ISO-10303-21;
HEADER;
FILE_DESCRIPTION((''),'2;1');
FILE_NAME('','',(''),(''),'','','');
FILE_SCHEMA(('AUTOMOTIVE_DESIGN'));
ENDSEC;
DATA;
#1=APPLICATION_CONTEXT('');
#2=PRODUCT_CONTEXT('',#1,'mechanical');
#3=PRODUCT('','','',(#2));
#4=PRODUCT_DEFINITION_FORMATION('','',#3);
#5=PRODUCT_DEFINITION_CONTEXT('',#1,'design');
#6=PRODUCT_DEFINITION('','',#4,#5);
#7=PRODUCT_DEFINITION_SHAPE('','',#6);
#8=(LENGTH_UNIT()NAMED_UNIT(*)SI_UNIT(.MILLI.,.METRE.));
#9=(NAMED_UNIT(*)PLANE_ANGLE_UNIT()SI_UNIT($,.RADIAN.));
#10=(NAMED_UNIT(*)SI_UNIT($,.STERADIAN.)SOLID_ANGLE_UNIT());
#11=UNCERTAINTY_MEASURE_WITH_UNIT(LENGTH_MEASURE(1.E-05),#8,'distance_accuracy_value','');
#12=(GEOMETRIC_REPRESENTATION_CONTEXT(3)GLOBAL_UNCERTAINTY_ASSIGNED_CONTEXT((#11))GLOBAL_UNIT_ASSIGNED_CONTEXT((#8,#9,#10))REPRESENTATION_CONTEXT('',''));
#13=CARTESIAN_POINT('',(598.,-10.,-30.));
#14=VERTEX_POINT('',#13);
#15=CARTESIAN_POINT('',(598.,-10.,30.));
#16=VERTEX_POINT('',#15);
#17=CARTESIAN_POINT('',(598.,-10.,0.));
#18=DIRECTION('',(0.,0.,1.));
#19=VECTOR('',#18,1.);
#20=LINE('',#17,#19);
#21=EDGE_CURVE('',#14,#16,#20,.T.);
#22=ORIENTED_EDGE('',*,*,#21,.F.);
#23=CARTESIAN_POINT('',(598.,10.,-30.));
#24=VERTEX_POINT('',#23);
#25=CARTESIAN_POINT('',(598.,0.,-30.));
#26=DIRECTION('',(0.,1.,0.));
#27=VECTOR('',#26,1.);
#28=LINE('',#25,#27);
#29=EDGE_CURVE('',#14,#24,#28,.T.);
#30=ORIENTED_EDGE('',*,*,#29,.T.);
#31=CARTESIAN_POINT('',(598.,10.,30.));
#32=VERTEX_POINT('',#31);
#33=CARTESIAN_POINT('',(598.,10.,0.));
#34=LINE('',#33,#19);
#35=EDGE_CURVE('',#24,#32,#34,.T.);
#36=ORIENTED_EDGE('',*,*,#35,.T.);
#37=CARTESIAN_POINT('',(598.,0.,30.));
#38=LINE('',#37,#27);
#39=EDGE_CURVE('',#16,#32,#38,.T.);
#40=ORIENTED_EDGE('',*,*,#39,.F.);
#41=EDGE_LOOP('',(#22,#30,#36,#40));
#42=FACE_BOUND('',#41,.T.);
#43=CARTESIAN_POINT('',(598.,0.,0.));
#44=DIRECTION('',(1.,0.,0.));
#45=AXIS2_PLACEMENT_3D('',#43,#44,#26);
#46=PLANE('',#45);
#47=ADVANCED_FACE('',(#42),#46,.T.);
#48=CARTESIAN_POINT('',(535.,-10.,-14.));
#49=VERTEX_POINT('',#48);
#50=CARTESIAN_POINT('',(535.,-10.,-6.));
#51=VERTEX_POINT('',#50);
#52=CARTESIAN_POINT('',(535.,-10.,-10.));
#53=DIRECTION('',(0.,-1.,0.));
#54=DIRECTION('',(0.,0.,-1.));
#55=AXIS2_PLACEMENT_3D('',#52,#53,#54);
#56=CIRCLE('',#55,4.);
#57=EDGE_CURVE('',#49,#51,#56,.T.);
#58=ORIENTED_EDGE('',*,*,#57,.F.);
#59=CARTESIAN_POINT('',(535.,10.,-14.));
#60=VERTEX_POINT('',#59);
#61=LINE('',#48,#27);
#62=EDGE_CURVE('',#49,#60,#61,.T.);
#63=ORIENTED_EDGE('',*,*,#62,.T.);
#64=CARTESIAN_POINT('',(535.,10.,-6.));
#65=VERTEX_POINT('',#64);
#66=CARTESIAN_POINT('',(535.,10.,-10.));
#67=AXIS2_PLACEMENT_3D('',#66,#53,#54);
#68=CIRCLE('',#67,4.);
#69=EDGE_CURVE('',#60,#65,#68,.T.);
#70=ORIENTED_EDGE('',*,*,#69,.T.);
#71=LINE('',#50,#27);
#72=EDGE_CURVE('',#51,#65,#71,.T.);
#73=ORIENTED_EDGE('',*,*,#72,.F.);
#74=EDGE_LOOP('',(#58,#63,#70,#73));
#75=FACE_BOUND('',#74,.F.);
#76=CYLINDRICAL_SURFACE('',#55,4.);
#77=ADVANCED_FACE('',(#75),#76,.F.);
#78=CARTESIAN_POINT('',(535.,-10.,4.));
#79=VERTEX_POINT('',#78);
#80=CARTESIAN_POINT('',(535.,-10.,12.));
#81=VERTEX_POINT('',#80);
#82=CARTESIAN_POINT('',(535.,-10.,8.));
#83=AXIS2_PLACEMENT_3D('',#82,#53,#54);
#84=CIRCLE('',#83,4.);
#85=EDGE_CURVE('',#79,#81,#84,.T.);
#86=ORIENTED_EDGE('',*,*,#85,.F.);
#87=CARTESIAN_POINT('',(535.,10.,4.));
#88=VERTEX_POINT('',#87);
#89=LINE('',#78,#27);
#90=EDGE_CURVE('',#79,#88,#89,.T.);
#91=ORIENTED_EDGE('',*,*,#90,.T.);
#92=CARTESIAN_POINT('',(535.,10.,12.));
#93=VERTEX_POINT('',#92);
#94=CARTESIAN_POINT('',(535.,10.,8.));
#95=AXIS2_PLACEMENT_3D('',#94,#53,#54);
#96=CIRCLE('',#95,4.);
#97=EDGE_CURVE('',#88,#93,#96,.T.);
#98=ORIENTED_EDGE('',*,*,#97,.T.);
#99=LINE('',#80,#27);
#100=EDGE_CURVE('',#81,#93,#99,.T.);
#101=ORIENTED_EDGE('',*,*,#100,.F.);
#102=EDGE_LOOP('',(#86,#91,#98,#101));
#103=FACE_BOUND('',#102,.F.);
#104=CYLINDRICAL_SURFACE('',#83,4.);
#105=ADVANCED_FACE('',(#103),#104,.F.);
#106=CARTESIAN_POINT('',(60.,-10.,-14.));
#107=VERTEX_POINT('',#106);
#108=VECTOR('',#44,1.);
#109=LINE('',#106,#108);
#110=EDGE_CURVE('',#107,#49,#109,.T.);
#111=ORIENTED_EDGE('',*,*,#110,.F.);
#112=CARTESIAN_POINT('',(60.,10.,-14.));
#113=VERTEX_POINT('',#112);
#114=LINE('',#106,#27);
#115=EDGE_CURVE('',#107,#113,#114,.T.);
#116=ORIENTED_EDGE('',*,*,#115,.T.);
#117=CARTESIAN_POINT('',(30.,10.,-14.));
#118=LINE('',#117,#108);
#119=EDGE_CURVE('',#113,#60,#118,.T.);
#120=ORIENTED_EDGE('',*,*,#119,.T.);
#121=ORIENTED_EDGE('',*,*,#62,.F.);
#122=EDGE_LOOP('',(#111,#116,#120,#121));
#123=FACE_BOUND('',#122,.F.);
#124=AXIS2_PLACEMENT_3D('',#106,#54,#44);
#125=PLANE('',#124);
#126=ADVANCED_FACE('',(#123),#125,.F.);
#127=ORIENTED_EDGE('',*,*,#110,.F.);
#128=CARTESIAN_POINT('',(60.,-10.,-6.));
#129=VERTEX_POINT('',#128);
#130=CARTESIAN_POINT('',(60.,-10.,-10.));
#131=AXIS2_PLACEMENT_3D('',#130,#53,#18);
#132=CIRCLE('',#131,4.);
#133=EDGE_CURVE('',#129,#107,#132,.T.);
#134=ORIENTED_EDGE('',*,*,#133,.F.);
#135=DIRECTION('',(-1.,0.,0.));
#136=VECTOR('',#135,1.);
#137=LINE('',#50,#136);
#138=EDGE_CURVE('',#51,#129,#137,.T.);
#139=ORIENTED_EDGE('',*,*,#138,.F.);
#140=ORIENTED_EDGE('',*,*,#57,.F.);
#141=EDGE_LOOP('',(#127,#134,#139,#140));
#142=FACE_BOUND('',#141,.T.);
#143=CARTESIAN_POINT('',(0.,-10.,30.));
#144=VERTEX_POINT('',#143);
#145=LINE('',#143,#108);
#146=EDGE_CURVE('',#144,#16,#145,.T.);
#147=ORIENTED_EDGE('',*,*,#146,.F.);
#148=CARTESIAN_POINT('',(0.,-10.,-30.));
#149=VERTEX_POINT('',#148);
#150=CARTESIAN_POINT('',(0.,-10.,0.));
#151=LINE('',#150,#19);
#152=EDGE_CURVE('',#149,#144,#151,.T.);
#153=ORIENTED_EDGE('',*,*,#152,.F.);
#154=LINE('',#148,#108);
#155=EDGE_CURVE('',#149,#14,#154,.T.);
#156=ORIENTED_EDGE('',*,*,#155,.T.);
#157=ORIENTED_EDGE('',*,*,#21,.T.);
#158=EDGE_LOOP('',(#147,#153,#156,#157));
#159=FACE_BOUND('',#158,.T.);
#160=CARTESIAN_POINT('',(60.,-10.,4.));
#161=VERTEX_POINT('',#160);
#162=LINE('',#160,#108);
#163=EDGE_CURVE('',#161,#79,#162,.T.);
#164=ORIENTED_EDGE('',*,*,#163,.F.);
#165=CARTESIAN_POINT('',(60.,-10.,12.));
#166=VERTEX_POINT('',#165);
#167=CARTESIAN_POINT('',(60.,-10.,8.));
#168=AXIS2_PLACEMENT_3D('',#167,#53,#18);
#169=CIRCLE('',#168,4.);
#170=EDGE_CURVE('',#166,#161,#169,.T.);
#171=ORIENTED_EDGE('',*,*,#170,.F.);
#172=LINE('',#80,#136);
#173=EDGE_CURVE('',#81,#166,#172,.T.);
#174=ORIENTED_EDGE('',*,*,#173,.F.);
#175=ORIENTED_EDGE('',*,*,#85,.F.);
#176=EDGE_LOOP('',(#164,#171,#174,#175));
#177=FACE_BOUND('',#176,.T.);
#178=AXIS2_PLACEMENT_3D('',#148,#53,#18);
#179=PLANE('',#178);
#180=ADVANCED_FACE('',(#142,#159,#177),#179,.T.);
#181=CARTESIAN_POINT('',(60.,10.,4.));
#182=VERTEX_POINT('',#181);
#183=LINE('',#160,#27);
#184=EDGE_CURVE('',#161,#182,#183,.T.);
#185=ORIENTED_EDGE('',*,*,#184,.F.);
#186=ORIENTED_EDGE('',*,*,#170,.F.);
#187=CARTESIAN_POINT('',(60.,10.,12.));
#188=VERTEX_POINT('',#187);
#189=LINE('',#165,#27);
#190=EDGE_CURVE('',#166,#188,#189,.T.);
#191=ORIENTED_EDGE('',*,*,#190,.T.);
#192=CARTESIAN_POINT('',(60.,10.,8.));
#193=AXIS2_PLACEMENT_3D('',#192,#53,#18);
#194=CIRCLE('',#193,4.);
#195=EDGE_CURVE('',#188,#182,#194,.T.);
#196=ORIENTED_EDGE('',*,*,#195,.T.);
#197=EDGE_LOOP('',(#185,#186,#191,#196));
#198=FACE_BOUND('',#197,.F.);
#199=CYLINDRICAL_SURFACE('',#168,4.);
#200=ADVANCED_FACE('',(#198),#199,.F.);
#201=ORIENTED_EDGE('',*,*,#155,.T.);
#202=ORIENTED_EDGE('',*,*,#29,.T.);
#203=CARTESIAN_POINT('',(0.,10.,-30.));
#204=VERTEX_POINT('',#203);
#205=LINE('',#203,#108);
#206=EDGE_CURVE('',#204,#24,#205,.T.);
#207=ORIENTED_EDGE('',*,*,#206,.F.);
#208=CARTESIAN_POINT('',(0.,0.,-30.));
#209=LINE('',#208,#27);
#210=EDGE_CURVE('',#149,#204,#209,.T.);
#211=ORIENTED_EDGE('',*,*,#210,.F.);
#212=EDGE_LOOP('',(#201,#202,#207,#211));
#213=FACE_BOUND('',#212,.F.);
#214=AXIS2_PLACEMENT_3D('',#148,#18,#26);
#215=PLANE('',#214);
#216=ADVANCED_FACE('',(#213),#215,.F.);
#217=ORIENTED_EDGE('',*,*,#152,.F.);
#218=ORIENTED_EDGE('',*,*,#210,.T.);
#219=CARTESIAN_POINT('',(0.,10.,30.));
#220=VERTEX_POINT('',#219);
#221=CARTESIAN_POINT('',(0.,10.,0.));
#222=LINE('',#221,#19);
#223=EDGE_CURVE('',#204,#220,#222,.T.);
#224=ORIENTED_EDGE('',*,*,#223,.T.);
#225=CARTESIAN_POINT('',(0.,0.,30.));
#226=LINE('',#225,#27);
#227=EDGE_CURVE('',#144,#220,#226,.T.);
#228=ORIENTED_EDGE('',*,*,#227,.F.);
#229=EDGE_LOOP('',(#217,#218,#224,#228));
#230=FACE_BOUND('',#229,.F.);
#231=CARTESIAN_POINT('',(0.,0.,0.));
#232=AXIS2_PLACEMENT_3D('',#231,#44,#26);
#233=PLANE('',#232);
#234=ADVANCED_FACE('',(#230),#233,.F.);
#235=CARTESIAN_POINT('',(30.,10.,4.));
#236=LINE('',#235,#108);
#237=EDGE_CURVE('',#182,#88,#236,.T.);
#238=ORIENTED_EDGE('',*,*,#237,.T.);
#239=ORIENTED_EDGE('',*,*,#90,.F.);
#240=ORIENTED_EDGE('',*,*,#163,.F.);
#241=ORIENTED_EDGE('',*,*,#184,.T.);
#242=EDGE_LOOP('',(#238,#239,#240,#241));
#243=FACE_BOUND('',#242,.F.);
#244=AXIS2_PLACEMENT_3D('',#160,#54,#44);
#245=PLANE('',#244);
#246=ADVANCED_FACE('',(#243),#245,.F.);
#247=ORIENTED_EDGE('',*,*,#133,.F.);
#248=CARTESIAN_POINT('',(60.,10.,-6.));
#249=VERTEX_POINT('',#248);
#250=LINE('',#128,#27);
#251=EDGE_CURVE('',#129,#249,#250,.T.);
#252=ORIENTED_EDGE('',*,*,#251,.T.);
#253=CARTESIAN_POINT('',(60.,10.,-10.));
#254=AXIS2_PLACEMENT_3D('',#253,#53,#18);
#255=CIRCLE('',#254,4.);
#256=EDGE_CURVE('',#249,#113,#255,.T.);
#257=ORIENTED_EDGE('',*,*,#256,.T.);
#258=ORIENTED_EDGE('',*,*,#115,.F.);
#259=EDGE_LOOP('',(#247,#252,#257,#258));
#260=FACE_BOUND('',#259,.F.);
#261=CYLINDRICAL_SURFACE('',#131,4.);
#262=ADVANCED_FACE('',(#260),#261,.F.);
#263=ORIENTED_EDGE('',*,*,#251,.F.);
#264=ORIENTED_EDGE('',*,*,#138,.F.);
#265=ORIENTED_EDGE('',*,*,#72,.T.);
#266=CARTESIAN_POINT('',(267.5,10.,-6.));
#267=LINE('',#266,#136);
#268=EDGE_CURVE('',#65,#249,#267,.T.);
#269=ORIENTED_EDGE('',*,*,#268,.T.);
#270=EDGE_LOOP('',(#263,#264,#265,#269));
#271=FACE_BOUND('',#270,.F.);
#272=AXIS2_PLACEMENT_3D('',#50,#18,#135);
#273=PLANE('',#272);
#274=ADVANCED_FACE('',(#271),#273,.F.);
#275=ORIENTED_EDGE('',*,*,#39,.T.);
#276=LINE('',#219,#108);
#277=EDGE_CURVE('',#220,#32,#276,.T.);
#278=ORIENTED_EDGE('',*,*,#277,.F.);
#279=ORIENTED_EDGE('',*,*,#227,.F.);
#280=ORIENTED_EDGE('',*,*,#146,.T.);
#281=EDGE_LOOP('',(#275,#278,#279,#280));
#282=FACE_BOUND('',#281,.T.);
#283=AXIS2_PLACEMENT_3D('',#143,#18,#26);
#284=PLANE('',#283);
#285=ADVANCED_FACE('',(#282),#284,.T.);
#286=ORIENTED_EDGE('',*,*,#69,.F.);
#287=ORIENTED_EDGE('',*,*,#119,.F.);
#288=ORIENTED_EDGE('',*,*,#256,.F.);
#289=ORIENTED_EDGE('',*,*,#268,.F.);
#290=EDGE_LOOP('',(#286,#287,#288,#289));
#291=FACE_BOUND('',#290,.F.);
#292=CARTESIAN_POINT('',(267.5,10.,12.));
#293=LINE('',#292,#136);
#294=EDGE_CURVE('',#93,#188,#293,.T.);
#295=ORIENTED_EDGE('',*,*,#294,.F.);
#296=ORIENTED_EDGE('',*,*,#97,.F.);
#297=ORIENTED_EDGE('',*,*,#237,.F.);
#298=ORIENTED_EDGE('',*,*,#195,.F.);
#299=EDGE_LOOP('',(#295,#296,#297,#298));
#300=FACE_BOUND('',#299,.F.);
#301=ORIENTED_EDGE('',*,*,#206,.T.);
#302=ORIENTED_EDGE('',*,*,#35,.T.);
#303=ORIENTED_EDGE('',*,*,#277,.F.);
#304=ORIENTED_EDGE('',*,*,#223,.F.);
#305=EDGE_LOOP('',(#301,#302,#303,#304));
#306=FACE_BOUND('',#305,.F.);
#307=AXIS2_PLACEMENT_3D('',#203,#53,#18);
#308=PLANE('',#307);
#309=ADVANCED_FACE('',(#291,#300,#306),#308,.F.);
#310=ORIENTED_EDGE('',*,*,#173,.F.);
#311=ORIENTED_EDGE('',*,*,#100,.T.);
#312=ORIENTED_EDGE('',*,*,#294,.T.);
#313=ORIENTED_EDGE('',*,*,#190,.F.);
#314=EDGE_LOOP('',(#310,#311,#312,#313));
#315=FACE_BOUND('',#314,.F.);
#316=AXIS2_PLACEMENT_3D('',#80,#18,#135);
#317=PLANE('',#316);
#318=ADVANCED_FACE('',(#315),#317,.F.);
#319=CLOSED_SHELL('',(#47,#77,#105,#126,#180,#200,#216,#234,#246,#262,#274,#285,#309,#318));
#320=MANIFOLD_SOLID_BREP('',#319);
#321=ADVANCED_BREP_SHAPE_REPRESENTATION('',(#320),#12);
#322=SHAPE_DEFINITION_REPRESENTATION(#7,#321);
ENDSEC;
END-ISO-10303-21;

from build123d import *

# Parameters (mm, degrees)
F0_W     = 20
F0_H     = 60
F1_DEPTH = 598
F3_DEPTH = 25


with BuildPart() as f1:
    # F0 (on Right) → F1 (new body)
    with BuildSketch(Plane.YZ):
        Rectangle(F0_W, F0_H)
    extrude(amount=F1_DEPTH)

    # F2 (on face) → F3 (cut)
    with BuildSketch(Plane.XZ.offset(10)):
        with BuildLine():
            Line((535, 12), (60, 12))
            ThreePointArc((60, 12), (56, 8), (60, 4))
            Line((60, 4), (535, 4))
            ThreePointArc((535, 4), (539, 8), (535, 12))
        make_face()
        with BuildLine():
            Line((535, -6), (60, -6))
            ThreePointArc((60, -6), (56, -10), (60, -14))
            Line((60, -14), (535, -14))
            ThreePointArc((535, -14), (539, -10), (535, -6))
        make_face()
    extrude(amount=-F3_DEPTH, mode=Mode.SUBTRACT)


solid = f1.part
